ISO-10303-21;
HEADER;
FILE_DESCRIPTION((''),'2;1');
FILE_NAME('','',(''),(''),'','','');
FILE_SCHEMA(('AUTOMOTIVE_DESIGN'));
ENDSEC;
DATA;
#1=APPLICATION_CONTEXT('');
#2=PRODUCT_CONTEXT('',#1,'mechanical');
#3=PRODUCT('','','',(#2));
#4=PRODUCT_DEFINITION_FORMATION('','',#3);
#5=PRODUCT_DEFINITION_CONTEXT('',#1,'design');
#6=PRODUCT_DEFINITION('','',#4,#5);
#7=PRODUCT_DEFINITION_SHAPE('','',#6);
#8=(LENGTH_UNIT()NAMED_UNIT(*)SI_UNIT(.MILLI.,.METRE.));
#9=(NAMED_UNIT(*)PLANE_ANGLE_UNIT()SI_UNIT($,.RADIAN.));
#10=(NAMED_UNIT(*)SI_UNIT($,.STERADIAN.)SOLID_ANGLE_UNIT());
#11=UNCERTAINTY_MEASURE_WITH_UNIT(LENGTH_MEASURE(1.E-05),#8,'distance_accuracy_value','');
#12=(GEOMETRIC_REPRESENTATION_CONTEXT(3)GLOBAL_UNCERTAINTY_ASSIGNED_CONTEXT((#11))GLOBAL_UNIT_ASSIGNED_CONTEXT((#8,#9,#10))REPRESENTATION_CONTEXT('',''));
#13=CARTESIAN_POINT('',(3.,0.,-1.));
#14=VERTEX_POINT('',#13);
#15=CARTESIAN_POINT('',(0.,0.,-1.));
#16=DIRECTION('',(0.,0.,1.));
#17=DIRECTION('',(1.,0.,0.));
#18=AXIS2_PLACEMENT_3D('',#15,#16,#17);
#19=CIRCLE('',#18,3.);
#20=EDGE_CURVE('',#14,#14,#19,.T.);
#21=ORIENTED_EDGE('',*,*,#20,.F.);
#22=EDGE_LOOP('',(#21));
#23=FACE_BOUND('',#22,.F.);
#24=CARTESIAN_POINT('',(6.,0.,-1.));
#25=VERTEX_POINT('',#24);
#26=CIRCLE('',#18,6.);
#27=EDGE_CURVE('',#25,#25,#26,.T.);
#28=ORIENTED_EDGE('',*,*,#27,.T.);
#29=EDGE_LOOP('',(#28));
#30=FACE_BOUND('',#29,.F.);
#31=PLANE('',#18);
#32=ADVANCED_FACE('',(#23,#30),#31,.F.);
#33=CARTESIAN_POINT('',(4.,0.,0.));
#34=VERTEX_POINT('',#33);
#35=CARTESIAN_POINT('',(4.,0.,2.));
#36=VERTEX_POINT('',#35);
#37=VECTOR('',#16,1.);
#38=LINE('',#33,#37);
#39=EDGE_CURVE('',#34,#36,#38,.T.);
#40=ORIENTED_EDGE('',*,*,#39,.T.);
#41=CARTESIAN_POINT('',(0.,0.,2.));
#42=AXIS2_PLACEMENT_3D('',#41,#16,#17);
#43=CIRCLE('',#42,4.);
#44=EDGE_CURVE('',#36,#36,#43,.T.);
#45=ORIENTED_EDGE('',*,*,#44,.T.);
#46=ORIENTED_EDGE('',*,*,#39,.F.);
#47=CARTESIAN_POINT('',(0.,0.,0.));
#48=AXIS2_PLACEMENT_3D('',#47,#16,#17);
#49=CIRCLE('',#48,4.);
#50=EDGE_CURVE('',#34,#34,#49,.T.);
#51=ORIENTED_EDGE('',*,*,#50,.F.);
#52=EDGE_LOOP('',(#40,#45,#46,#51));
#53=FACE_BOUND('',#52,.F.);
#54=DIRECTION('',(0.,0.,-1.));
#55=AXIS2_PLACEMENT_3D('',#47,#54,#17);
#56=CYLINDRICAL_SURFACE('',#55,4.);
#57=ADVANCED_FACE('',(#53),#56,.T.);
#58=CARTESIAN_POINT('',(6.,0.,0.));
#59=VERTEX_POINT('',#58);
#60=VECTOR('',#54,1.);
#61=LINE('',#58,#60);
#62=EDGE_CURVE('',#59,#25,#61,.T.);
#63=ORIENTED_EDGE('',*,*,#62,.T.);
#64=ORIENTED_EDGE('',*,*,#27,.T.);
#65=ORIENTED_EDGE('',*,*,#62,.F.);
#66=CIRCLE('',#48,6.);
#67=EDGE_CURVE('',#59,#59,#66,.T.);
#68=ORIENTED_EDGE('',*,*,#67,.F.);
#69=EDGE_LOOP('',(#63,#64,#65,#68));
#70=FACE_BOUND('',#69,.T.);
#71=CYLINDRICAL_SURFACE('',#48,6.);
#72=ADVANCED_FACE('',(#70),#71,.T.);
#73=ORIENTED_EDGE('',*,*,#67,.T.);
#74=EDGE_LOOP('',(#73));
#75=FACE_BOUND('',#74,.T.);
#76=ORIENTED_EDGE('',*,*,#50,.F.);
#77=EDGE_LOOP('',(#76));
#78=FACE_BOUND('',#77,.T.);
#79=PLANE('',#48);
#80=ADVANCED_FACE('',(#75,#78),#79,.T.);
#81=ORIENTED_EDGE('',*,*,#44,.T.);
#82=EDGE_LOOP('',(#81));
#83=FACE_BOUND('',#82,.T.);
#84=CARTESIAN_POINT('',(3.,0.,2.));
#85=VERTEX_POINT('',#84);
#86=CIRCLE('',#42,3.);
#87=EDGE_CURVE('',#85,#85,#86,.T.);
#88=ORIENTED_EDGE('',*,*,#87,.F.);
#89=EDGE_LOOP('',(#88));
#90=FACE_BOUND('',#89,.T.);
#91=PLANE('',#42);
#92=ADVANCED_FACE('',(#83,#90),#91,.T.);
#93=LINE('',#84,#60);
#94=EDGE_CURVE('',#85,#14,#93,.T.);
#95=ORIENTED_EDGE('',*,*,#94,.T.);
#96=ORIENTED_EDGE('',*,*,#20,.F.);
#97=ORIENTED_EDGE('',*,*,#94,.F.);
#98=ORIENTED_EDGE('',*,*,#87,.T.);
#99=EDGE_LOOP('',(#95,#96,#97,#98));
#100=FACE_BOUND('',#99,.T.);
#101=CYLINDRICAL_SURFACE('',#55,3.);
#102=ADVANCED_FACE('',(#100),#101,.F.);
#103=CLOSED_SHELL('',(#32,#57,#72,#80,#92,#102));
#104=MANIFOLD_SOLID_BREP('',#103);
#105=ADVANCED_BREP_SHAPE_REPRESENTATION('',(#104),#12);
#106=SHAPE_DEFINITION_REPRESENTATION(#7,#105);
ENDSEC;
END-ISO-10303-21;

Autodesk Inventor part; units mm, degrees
ref_plane "YZ Plane" through (0, 0, 0) normal (1, 0, 0) x (0, 1, 0)
ref_plane "XZ Plane" through (0, 0, 0) normal (0, 1, 0) x (-1, 0, 0)
ref_plane "XY Plane" through (0, 0, 0) normal (0, 0, 1) x (1, 0, 0)
sketch "スケッチ1" plane through (0, 0, 0) normal (0, 0, 1) x (1, 0, 0)
  circle A0 centre (0, 0) radius 3
  circle A1 centre (0, 0) radius 4
  circle A2 centre (0, 0) radius 6
  dimension "d0" = 6
  dimension "d1" = 8
  dimension "d2" = 12
extrude "押し出し1" add sketch "スケッチ1" along normal blind 2 contours A1
extrude "押し出し2" add sketch "スケッチ1" against normal blind 1 contours A1 | A2
properties part number "ドライメットブッシュ 内径6フランジ付き 2mm" material "鋼"
